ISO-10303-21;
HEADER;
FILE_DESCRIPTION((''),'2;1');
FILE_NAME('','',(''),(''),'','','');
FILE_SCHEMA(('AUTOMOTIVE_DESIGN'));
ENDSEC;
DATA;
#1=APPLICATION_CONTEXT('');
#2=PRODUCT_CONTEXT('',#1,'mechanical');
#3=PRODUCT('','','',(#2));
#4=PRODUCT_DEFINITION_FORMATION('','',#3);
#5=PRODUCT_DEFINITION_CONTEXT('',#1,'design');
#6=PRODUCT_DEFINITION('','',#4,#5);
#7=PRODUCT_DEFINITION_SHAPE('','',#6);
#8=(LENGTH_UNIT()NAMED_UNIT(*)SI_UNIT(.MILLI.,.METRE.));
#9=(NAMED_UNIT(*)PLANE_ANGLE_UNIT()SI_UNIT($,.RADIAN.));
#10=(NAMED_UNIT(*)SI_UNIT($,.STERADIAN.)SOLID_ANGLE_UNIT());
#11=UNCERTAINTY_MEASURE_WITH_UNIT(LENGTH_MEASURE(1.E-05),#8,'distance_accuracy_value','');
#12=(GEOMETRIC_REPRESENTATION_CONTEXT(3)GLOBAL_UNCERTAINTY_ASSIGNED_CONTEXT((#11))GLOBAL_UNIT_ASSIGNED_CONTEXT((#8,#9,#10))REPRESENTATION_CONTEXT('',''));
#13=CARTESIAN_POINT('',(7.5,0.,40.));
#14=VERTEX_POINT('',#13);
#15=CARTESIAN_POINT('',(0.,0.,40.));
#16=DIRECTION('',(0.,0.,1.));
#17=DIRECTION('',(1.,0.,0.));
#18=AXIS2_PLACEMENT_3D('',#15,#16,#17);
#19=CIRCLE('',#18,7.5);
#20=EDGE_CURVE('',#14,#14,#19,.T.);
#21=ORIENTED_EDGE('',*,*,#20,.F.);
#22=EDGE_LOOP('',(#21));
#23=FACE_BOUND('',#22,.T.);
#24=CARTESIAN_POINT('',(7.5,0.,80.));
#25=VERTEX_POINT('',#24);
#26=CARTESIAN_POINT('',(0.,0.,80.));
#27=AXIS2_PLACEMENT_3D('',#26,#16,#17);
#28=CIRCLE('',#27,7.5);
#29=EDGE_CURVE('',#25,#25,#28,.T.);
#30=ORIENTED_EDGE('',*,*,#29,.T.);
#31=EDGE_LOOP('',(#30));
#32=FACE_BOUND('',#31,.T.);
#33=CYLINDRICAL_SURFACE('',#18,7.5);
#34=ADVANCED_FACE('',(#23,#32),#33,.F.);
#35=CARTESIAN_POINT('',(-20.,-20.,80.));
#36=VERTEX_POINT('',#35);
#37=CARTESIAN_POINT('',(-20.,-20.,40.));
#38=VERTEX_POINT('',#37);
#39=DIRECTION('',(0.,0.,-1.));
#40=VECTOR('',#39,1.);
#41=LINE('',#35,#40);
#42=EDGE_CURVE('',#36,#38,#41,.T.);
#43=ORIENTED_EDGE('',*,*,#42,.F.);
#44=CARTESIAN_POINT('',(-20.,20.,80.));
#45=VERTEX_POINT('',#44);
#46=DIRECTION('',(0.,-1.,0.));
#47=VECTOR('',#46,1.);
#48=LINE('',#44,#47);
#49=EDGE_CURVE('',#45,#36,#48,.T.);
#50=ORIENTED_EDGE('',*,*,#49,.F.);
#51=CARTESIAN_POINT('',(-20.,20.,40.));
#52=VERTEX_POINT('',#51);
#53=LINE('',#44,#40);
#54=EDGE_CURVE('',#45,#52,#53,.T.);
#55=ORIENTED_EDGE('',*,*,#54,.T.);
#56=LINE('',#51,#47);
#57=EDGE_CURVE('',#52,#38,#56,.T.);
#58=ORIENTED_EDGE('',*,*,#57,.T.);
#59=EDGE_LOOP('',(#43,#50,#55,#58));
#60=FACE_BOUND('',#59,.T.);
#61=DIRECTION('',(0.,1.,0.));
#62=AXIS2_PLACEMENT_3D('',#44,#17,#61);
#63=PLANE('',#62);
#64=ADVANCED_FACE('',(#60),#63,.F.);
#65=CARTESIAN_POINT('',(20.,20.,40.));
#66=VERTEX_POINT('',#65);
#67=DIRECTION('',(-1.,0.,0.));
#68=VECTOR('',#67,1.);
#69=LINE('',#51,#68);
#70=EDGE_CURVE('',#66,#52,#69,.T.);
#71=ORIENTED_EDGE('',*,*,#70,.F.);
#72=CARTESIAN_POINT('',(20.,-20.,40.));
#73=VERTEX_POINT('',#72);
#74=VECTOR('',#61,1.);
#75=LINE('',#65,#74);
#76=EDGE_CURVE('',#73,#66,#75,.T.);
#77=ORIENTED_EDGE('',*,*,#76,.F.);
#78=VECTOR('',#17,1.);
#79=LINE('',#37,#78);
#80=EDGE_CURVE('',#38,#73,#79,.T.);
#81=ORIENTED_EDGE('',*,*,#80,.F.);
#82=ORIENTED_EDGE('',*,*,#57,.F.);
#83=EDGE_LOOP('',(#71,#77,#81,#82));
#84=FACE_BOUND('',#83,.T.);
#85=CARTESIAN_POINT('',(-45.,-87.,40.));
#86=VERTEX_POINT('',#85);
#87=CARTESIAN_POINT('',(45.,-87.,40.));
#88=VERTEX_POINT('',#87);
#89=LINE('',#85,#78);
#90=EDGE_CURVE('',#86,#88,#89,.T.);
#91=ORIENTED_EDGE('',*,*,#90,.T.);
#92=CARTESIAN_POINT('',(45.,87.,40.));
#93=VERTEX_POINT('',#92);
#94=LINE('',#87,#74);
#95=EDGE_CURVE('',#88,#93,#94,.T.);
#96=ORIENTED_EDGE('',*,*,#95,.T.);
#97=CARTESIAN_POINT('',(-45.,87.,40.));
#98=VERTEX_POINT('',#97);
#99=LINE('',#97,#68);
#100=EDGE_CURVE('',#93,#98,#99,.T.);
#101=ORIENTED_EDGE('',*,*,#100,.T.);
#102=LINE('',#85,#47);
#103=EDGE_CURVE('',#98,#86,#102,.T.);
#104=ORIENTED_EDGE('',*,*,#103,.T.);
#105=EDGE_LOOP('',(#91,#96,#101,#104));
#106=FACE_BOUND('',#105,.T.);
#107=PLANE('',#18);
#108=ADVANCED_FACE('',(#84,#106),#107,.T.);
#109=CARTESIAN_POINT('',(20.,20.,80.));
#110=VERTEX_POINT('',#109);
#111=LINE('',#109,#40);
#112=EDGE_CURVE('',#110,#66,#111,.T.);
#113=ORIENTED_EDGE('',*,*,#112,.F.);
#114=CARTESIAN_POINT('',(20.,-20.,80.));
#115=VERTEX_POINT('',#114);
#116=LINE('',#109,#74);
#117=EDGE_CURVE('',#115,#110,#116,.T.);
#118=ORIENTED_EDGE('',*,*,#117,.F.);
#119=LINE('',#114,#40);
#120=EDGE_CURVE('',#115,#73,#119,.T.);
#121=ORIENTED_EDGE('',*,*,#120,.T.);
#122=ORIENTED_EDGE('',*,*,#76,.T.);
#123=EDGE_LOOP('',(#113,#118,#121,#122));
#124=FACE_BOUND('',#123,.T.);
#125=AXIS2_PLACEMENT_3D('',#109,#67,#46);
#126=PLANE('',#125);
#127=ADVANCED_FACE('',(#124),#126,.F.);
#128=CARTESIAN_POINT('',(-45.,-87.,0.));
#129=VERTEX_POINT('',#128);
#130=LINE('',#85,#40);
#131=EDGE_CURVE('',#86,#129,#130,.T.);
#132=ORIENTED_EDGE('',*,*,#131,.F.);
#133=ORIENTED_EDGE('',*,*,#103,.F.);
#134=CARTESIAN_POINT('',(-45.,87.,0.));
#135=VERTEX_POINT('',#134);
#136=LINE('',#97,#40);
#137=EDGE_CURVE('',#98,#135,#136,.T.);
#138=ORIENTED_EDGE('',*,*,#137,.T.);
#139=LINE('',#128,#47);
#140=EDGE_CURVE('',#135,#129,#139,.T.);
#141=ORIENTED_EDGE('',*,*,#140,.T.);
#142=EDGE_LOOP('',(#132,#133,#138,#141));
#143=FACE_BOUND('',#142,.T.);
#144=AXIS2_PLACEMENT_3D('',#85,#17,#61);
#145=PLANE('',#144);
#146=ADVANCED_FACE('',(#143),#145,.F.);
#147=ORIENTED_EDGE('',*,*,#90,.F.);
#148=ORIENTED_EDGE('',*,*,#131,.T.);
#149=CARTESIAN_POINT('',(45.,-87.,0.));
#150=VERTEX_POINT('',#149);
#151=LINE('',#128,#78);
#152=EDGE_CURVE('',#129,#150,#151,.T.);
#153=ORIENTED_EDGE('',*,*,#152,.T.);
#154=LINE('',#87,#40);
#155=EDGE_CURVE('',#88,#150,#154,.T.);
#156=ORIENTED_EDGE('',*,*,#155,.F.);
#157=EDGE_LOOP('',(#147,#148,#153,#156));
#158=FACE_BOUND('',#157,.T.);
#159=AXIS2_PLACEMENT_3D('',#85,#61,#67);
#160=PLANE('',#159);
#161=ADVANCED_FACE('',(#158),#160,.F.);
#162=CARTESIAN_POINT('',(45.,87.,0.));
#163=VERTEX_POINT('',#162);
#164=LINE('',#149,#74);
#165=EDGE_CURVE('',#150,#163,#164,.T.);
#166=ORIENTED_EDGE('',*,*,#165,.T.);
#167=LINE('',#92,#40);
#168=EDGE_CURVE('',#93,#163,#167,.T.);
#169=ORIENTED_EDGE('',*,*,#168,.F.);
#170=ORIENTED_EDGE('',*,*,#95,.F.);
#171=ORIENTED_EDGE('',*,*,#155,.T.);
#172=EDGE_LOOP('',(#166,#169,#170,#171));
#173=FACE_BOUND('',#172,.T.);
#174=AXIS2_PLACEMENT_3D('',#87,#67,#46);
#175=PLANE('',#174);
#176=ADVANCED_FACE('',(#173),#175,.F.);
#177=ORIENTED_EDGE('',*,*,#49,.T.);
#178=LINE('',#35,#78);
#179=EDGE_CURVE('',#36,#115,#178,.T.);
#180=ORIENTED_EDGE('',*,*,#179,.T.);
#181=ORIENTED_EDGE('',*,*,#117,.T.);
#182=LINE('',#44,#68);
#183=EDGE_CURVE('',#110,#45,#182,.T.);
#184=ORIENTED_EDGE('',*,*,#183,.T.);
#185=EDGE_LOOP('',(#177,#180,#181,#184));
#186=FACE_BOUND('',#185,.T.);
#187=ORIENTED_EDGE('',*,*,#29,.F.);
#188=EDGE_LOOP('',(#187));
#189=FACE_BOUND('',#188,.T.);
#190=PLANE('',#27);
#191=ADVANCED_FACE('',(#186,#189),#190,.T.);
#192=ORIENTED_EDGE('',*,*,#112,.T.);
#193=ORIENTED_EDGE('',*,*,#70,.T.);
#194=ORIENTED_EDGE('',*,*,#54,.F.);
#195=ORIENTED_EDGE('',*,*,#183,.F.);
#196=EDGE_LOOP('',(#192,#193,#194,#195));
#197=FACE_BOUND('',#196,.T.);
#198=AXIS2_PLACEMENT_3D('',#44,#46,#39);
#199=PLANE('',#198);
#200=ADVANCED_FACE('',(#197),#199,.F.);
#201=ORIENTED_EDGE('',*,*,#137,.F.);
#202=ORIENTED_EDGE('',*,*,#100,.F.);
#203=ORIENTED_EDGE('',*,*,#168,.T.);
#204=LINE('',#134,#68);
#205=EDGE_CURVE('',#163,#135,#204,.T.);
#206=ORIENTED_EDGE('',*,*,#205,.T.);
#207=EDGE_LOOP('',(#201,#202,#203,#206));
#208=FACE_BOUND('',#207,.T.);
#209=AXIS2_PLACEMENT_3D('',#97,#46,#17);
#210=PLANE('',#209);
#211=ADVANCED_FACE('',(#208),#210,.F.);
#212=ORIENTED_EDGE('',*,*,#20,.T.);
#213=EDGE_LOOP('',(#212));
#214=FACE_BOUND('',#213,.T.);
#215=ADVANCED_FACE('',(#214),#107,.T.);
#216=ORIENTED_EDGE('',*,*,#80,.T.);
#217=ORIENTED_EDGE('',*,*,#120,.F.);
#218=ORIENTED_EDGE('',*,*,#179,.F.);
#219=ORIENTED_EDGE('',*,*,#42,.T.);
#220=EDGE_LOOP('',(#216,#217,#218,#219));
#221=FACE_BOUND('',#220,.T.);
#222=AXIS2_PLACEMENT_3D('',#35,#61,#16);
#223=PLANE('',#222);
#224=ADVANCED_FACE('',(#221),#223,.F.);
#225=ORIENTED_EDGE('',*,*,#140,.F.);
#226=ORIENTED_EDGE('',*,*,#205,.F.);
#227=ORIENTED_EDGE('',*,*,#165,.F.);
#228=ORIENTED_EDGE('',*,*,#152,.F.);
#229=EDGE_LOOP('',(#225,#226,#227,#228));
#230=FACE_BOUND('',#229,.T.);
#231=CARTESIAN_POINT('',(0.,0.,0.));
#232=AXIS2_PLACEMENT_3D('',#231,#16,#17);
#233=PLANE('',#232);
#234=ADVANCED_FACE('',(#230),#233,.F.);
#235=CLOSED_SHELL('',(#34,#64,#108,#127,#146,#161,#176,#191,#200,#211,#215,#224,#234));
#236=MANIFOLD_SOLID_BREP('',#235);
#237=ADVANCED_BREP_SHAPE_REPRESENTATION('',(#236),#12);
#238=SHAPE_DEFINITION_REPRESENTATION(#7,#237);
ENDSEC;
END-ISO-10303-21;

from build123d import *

# Parameters (mm, degrees)
SKETCH_1_W          = 90
SKETCH_1_H          = 174
EXTRUDE_1_DEPTH     = 40
SKETCH_2_W          = 40
SKETCH_2_H          = 40
EXTRUDE_2_DEPTH     = 40
SKETCH_3_R          = 7.5
CUT_EXTRUDE_1_DEPTH = 40


with BuildPart() as part:
    # 草图1 → 凸台-拉伸1 (new body)
    with BuildSketch(Plane.XY):
        Rectangle(SKETCH_1_W, SKETCH_1_H)
    extrude(amount=EXTRUDE_1_DEPTH)

    # 草图2 → 凸台-拉伸2 (add)
    with BuildSketch(Plane.XY.offset(40)):
        Rectangle(SKETCH_2_W, SKETCH_2_H)
    extrude(amount=EXTRUDE_2_DEPTH)

    # 草图3 → 切除-拉伸1 (cut)
    with BuildSketch(Plane.XY.offset(80)):
        Circle(SKETCH_3_R)
    extrude(amount=-CUT_EXTRUDE_1_DEPTH, mode=Mode.SUBTRACT)


solid = part.part
